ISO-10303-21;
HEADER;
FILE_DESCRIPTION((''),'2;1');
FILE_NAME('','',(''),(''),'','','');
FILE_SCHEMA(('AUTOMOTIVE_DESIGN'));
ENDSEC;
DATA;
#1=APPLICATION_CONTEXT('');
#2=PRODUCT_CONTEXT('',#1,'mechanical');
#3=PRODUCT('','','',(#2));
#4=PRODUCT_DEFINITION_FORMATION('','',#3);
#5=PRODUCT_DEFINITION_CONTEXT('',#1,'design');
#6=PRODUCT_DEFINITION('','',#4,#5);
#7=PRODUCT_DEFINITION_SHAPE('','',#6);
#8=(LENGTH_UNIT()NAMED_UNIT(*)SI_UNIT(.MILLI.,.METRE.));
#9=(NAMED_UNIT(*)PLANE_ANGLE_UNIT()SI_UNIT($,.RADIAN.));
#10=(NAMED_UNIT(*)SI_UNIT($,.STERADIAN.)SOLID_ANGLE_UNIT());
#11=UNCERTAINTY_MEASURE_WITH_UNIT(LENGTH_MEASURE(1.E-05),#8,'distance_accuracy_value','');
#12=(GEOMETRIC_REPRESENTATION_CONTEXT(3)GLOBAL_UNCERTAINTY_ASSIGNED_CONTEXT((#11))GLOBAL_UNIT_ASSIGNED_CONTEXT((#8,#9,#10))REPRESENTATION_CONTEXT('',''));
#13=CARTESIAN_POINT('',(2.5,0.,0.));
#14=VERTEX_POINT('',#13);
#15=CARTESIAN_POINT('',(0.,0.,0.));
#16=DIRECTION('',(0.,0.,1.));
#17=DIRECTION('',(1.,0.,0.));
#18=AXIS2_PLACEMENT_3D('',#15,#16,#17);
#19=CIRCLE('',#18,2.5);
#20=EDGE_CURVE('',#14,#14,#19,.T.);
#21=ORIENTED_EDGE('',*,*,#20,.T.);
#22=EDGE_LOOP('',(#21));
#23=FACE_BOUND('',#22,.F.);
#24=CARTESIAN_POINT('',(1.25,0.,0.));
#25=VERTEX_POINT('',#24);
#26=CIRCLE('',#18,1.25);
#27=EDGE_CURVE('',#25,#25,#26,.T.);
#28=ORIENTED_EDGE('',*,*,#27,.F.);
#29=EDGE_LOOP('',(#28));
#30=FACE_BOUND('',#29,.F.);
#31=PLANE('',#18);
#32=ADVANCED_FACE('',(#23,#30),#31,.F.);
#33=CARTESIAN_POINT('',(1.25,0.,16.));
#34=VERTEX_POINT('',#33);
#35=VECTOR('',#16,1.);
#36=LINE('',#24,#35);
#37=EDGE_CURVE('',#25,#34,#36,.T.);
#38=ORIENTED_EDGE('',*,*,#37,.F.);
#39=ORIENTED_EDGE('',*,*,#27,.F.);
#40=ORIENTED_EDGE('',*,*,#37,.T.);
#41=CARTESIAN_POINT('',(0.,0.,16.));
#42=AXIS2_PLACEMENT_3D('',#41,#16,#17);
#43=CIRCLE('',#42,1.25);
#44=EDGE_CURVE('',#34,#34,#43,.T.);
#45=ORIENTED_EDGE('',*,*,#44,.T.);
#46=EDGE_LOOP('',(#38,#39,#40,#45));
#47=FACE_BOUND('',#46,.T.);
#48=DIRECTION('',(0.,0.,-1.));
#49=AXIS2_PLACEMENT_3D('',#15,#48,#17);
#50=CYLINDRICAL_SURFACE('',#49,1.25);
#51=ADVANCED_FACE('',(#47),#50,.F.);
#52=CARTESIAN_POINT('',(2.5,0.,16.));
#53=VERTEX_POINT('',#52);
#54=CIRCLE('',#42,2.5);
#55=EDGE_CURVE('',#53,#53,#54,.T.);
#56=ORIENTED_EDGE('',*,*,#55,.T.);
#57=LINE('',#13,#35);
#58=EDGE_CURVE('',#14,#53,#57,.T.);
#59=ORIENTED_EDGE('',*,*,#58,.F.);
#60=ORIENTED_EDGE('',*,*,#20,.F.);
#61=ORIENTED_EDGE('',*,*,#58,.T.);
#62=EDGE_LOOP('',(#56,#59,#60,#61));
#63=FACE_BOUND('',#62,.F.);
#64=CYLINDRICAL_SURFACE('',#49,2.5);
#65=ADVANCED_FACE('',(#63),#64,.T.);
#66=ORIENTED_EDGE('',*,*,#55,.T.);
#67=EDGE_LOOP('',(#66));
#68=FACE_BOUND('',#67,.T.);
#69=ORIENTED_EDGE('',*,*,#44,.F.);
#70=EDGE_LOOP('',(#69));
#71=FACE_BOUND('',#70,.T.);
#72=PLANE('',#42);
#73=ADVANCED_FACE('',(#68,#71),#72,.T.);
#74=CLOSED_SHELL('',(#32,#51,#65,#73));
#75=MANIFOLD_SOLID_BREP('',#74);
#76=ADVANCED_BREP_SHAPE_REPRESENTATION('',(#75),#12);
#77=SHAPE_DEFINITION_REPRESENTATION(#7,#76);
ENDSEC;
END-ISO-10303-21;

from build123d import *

# Parameters (mm, degrees)
SKETCH_1_R      = 2.5
SKETCH_1_R_2    = 1.25
EXTRUDE_1_DEPTH = 16


with BuildPart() as part:
    # 草图1 → 凸台-拉伸1 (new body)
    with BuildSketch(Plane.XY):
        Circle(SKETCH_1_R)
        Circle(SKETCH_1_R_2, mode=Mode.SUBTRACT)
    extrude(amount=EXTRUDE_1_DEPTH)


solid = part.part
